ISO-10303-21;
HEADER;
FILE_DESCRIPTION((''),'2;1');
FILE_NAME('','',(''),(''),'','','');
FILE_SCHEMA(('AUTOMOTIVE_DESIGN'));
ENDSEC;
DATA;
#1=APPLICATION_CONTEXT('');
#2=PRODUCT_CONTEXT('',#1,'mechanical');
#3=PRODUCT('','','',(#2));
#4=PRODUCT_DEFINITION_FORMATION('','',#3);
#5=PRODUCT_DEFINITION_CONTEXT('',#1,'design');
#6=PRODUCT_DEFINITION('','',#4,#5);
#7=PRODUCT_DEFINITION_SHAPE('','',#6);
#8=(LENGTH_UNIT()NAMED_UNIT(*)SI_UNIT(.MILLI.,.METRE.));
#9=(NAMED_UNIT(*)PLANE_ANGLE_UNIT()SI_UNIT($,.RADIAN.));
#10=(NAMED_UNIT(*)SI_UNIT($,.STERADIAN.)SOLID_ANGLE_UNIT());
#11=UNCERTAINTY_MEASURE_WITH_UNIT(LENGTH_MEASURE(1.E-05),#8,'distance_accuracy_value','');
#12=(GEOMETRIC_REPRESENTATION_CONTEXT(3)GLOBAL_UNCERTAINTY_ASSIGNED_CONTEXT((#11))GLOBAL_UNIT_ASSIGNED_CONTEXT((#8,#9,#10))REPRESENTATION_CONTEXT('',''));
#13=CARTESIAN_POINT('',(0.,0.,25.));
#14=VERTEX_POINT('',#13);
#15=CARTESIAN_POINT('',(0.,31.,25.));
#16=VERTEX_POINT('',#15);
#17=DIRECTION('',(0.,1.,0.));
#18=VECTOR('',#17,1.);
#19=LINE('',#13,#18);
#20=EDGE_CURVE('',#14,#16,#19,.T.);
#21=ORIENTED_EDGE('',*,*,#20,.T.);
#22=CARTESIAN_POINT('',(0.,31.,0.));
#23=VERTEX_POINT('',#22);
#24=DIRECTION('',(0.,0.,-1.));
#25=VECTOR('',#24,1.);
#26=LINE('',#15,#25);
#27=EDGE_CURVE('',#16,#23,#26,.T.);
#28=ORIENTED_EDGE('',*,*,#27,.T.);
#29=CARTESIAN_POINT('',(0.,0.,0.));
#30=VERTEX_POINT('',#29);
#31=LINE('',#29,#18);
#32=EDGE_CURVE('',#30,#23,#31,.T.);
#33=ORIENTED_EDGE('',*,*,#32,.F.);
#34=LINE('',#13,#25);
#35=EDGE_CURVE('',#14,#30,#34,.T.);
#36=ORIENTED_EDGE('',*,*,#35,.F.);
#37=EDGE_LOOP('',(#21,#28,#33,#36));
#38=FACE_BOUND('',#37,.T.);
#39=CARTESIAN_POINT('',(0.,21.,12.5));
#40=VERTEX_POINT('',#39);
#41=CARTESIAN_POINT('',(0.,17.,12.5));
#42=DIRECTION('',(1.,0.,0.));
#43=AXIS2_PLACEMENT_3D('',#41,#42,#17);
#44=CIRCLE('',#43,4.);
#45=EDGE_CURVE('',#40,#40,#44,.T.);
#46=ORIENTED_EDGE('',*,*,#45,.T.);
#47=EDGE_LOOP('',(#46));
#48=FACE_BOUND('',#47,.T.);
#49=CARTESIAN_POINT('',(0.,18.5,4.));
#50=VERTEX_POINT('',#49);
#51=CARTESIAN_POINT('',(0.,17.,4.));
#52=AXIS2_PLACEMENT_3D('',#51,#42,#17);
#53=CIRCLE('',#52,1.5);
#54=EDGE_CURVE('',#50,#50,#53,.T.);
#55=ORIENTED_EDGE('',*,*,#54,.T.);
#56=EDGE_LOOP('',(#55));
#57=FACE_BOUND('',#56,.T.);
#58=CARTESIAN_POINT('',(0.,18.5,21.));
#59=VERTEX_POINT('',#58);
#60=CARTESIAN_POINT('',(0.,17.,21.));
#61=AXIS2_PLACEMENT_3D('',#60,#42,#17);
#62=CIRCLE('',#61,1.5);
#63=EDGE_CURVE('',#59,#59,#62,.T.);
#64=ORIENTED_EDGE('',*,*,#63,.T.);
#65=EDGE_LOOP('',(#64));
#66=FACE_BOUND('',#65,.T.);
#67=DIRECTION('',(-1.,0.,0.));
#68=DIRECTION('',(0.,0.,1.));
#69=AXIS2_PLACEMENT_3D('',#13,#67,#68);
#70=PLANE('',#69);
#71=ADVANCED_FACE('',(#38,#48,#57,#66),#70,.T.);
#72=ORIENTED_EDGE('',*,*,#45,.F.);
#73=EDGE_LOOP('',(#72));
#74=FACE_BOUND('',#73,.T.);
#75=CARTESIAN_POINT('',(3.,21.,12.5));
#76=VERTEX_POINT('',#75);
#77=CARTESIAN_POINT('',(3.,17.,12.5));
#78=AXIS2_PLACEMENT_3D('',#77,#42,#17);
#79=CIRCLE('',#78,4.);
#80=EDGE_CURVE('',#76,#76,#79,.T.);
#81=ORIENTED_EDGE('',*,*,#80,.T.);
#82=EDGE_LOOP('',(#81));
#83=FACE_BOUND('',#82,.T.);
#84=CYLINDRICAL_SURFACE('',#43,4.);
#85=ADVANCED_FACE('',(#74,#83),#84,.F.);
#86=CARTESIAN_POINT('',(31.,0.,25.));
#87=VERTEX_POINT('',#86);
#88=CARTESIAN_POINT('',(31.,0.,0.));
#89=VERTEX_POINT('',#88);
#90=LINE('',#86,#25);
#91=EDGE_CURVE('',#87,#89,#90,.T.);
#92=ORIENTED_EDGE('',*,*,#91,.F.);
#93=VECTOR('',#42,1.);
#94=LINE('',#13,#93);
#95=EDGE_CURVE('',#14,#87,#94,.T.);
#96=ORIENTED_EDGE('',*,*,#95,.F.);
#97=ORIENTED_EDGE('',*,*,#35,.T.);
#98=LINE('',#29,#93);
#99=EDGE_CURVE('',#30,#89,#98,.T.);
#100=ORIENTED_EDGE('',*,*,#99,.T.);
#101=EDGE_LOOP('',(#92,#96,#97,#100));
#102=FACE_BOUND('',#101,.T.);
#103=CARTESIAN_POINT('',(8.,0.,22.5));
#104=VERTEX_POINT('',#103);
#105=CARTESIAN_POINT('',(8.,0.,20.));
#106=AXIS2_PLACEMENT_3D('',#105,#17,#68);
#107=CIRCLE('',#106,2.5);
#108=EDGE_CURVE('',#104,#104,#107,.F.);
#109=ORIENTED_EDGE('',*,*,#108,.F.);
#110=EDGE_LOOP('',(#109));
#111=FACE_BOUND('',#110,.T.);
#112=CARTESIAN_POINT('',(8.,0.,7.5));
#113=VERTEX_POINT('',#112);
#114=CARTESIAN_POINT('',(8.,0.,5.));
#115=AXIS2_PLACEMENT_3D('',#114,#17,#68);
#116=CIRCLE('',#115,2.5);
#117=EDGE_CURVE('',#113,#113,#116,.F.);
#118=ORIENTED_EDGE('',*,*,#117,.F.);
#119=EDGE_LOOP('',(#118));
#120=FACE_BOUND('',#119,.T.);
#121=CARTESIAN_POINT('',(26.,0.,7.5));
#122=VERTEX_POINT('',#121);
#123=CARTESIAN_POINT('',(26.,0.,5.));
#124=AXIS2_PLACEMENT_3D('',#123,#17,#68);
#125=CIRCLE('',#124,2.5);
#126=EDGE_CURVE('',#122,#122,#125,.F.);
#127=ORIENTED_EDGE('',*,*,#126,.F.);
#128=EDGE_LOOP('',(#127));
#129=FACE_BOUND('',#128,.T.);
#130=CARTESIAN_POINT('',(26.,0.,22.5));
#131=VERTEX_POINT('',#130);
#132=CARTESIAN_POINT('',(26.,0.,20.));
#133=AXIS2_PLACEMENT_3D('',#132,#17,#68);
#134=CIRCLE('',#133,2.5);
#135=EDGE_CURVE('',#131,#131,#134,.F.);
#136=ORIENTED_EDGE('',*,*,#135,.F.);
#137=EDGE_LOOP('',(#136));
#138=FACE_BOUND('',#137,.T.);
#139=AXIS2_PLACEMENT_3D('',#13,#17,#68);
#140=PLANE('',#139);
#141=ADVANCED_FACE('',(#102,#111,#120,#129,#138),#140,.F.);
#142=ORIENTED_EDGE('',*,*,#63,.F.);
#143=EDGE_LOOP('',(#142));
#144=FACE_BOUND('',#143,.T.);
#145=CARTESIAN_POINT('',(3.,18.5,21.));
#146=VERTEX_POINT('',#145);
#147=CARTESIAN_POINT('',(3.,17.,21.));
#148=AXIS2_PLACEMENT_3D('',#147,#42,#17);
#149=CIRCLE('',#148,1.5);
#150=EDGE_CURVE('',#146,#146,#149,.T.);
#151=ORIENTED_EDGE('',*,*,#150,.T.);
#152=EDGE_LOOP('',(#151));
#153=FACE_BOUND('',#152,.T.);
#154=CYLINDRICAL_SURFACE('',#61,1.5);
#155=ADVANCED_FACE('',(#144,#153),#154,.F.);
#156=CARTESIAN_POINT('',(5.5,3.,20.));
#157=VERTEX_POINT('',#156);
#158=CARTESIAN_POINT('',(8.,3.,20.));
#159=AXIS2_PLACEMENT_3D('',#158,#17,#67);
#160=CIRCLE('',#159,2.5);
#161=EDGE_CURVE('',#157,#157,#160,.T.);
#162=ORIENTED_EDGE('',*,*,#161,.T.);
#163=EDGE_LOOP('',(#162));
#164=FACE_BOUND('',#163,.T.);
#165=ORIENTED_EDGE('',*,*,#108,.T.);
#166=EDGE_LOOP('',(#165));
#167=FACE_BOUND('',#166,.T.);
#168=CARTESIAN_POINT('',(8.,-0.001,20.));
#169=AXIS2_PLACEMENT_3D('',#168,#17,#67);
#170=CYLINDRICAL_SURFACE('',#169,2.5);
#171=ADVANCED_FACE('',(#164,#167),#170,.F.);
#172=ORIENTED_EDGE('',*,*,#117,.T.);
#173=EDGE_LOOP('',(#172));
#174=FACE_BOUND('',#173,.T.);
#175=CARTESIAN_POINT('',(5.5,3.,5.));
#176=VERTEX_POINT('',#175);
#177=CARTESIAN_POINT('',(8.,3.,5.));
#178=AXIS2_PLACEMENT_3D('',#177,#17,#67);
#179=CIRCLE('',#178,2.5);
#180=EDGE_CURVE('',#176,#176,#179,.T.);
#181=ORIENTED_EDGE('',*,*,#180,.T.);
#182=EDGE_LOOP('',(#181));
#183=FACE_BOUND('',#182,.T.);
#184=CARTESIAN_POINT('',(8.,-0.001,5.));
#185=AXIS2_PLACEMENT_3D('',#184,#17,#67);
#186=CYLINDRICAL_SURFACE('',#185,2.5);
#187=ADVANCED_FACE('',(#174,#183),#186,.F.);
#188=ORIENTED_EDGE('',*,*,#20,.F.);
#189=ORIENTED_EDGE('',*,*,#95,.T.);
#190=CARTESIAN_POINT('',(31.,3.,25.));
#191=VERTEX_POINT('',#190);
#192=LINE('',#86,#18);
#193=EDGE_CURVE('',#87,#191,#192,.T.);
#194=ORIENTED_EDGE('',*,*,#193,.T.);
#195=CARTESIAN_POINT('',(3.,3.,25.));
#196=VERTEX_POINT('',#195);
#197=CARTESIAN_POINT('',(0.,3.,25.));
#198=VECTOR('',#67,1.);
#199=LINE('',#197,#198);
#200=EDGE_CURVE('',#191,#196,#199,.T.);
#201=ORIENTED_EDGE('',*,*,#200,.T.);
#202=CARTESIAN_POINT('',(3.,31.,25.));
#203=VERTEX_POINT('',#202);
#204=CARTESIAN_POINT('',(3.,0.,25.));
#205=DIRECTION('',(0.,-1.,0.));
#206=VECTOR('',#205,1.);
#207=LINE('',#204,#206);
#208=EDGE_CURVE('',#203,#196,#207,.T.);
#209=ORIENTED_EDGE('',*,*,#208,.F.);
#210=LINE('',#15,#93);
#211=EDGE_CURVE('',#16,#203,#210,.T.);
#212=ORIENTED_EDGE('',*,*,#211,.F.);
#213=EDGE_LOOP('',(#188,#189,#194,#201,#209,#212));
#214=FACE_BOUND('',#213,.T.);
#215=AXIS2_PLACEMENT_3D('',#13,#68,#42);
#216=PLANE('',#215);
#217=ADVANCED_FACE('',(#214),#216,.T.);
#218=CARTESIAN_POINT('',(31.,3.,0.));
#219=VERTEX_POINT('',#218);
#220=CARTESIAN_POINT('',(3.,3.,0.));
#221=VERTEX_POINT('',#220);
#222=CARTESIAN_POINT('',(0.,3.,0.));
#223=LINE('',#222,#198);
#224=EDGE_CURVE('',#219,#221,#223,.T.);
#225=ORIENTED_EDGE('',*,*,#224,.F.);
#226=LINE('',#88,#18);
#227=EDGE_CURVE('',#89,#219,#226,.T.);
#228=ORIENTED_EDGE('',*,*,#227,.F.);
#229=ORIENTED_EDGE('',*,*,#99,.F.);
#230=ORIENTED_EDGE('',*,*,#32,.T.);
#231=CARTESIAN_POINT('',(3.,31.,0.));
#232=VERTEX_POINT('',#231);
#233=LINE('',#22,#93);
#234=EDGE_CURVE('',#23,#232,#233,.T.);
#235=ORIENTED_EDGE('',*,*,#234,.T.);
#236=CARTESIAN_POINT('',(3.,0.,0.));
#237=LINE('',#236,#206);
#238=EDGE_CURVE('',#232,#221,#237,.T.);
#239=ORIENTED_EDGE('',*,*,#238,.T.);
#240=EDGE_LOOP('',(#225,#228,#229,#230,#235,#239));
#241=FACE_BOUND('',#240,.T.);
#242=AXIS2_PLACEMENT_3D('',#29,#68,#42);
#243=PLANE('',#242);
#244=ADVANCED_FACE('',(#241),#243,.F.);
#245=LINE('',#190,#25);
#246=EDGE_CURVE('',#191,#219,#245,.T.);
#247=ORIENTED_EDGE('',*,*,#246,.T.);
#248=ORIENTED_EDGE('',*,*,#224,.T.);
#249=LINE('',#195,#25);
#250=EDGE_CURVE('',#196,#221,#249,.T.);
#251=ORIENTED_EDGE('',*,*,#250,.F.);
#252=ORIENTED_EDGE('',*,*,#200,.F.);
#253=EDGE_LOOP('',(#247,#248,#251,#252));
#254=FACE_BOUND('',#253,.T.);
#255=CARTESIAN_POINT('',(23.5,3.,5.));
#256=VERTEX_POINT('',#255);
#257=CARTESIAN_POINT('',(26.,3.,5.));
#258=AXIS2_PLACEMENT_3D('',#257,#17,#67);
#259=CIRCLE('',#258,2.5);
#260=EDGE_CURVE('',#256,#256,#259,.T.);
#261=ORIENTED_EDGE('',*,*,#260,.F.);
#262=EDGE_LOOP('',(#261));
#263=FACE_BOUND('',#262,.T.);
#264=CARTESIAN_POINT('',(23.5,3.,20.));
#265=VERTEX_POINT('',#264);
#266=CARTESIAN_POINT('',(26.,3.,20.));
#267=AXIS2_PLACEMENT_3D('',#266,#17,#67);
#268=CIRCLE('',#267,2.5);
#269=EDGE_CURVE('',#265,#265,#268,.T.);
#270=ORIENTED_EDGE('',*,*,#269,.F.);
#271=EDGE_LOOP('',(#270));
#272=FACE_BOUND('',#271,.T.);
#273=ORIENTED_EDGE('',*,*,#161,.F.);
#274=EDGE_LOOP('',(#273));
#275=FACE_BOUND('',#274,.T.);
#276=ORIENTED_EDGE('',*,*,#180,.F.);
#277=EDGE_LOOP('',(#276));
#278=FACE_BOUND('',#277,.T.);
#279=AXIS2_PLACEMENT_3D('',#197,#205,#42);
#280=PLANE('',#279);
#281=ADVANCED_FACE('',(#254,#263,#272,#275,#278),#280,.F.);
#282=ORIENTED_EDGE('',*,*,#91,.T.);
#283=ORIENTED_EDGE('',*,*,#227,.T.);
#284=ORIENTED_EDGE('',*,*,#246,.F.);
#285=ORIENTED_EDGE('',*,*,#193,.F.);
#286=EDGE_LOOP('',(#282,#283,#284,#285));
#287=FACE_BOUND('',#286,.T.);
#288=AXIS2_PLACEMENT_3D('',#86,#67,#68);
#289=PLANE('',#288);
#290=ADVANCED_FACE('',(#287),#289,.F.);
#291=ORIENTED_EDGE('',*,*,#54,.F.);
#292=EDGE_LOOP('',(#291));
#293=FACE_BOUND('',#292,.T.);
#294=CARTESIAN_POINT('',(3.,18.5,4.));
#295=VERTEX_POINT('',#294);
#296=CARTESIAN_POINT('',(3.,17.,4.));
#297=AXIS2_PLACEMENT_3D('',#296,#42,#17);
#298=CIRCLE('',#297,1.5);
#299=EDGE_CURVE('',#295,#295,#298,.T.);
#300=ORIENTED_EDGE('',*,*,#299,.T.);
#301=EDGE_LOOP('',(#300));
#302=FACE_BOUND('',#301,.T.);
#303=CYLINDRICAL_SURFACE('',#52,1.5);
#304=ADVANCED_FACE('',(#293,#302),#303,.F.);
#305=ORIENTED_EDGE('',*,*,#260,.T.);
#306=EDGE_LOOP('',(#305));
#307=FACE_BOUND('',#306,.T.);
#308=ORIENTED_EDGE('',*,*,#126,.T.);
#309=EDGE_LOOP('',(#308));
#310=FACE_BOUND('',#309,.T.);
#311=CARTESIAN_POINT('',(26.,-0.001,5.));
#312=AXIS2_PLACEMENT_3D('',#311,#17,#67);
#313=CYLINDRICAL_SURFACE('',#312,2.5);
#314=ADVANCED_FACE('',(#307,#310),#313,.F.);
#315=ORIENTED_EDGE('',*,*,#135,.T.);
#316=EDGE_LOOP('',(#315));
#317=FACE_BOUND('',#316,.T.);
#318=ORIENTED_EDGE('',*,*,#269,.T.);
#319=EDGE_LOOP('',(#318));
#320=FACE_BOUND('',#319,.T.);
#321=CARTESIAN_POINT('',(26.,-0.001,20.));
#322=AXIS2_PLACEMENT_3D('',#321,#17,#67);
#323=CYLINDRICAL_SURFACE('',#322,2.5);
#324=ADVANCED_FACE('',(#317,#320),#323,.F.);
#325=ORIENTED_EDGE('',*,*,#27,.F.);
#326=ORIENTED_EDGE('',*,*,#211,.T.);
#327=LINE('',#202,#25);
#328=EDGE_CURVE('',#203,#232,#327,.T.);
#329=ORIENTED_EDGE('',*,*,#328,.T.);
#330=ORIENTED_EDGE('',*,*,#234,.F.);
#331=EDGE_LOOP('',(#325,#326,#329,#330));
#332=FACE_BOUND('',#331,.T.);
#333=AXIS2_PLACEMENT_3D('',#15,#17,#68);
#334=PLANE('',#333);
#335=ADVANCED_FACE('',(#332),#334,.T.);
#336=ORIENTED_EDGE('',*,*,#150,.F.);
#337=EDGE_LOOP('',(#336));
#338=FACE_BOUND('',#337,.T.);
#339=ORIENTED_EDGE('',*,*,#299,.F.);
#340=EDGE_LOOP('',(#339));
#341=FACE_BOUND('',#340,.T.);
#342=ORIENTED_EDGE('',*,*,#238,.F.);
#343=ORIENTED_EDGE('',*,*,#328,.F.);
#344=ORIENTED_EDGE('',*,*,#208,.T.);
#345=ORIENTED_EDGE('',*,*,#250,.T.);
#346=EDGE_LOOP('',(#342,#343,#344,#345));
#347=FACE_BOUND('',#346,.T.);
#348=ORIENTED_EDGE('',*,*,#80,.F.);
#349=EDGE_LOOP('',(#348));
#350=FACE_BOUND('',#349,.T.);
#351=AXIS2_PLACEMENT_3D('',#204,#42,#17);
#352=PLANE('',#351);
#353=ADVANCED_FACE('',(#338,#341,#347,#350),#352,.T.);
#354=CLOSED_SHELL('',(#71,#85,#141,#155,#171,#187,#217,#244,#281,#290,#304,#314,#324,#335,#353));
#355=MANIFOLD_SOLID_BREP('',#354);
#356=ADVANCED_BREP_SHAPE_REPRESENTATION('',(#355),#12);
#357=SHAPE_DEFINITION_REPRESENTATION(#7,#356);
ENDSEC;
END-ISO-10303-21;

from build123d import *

# Parameters (mm, degrees)
BOSS_EXTRUDE1_DEPTH = 25
SKETCH2_R           = 1.5
SKETCH2_R_2         = 4
CUT_EXTRUDE1_DEPTH  = 49.682645779
CUT_EXTRUDE2_REACH  = 50.683
SKETCH3_R           = 2.5


with BuildPart() as part:
    # Sketch1 → Boss-Extrude1 (new body)
    with BuildSketch(Plane.XY):
        Polygon((0, 31), (0, 0), (31, 0), (31, 3), (3, 3), (3, 31), align=None)
    extrude(amount=BOSS_EXTRUDE1_DEPTH)

    # Sketch2 → Cut-Extrude1 (cut, through all)
    with BuildSketch(Plane(origin=(3, 0, 0), x_dir=(0, 0, -1), z_dir=(1, 0, 0))):
        with Locations(Location((-21, 17, 0), (0, 0, 90))):
            Circle(SKETCH2_R)
        with Locations(Location((-12.5, 17, 0), (0, 0, 90))):
            Circle(SKETCH2_R_2)
        with Locations(Location((-4, 17, 0), (0, 0, 90))):
            Circle(SKETCH2_R)
    extrude(amount=-CUT_EXTRUDE1_DEPTH, mode=Mode.SUBTRACT)

    # Sketch3 → Cut-Extrude2 (cut, up to next)
    with BuildSketch(Plane(origin=(0, 3, 0), x_dir=(1, 0, 0), z_dir=(0, 1, 0)), mode=Mode.PRIVATE) as cut_extrude2_sk1:
        with Locations(Location((8, -5, 0), (0, 0, 180))):
            Circle(SKETCH3_R)
    cut_extrude2_tool1 = extrude(cut_extrude2_sk1.sketch, amount=-CUT_EXTRUDE2_REACH, mode=Mode.PRIVATE) & part.part
    # Sketch3 → Cut-Extrude2 (cut, up to next)
    with BuildSketch(Plane(origin=(0, 3, 0), x_dir=(1, 0, 0), z_dir=(0, 1, 0)), mode=Mode.PRIVATE) as cut_extrude2_sk2:
        with Locations(Location((26, -5, 0), (0, 0, 180))):
            Circle(SKETCH3_R)
    cut_extrude2_tool2 = extrude(cut_extrude2_sk2.sketch, amount=-CUT_EXTRUDE2_REACH, mode=Mode.PRIVATE) & part.part
    # Sketch3 → Cut-Extrude2 (cut, up to next)
    with BuildSketch(Plane(origin=(0, 3, 0), x_dir=(1, 0, 0), z_dir=(0, 1, 0)), mode=Mode.PRIVATE) as cut_extrude2_sk3:
        with Locations(Location((26, -20, 0), (0, 0, 180))):
            Circle(SKETCH3_R)
    cut_extrude2_tool3 = extrude(cut_extrude2_sk3.sketch, amount=-CUT_EXTRUDE2_REACH, mode=Mode.PRIVATE) & part.part
    # Sketch3 → Cut-Extrude2 (cut, up to next)
    with BuildSketch(Plane(origin=(0, 3, 0), x_dir=(1, 0, 0), z_dir=(0, 1, 0)), mode=Mode.PRIVATE) as cut_extrude2_sk4:
        with Locations(Location((8, -20, 0), (0, 0, 180))):
            Circle(SKETCH3_R)
    cut_extrude2_tool4 = extrude(cut_extrude2_sk4.sketch, amount=-CUT_EXTRUDE2_REACH, mode=Mode.PRIVATE) & part.part
    add(cut_extrude2_tool1.solids().sort_by_distance((8, 3, 5))[0], mode=Mode.SUBTRACT)
    add(cut_extrude2_tool2.solids().sort_by_distance((26, 3, 5))[0], mode=Mode.SUBTRACT)
    add(cut_extrude2_tool3.solids().sort_by_distance((26, 3, 20))[0], mode=Mode.SUBTRACT)
    add(cut_extrude2_tool4.solids().sort_by_distance((8, 3, 20))[0], mode=Mode.SUBTRACT)


solid = part.part
